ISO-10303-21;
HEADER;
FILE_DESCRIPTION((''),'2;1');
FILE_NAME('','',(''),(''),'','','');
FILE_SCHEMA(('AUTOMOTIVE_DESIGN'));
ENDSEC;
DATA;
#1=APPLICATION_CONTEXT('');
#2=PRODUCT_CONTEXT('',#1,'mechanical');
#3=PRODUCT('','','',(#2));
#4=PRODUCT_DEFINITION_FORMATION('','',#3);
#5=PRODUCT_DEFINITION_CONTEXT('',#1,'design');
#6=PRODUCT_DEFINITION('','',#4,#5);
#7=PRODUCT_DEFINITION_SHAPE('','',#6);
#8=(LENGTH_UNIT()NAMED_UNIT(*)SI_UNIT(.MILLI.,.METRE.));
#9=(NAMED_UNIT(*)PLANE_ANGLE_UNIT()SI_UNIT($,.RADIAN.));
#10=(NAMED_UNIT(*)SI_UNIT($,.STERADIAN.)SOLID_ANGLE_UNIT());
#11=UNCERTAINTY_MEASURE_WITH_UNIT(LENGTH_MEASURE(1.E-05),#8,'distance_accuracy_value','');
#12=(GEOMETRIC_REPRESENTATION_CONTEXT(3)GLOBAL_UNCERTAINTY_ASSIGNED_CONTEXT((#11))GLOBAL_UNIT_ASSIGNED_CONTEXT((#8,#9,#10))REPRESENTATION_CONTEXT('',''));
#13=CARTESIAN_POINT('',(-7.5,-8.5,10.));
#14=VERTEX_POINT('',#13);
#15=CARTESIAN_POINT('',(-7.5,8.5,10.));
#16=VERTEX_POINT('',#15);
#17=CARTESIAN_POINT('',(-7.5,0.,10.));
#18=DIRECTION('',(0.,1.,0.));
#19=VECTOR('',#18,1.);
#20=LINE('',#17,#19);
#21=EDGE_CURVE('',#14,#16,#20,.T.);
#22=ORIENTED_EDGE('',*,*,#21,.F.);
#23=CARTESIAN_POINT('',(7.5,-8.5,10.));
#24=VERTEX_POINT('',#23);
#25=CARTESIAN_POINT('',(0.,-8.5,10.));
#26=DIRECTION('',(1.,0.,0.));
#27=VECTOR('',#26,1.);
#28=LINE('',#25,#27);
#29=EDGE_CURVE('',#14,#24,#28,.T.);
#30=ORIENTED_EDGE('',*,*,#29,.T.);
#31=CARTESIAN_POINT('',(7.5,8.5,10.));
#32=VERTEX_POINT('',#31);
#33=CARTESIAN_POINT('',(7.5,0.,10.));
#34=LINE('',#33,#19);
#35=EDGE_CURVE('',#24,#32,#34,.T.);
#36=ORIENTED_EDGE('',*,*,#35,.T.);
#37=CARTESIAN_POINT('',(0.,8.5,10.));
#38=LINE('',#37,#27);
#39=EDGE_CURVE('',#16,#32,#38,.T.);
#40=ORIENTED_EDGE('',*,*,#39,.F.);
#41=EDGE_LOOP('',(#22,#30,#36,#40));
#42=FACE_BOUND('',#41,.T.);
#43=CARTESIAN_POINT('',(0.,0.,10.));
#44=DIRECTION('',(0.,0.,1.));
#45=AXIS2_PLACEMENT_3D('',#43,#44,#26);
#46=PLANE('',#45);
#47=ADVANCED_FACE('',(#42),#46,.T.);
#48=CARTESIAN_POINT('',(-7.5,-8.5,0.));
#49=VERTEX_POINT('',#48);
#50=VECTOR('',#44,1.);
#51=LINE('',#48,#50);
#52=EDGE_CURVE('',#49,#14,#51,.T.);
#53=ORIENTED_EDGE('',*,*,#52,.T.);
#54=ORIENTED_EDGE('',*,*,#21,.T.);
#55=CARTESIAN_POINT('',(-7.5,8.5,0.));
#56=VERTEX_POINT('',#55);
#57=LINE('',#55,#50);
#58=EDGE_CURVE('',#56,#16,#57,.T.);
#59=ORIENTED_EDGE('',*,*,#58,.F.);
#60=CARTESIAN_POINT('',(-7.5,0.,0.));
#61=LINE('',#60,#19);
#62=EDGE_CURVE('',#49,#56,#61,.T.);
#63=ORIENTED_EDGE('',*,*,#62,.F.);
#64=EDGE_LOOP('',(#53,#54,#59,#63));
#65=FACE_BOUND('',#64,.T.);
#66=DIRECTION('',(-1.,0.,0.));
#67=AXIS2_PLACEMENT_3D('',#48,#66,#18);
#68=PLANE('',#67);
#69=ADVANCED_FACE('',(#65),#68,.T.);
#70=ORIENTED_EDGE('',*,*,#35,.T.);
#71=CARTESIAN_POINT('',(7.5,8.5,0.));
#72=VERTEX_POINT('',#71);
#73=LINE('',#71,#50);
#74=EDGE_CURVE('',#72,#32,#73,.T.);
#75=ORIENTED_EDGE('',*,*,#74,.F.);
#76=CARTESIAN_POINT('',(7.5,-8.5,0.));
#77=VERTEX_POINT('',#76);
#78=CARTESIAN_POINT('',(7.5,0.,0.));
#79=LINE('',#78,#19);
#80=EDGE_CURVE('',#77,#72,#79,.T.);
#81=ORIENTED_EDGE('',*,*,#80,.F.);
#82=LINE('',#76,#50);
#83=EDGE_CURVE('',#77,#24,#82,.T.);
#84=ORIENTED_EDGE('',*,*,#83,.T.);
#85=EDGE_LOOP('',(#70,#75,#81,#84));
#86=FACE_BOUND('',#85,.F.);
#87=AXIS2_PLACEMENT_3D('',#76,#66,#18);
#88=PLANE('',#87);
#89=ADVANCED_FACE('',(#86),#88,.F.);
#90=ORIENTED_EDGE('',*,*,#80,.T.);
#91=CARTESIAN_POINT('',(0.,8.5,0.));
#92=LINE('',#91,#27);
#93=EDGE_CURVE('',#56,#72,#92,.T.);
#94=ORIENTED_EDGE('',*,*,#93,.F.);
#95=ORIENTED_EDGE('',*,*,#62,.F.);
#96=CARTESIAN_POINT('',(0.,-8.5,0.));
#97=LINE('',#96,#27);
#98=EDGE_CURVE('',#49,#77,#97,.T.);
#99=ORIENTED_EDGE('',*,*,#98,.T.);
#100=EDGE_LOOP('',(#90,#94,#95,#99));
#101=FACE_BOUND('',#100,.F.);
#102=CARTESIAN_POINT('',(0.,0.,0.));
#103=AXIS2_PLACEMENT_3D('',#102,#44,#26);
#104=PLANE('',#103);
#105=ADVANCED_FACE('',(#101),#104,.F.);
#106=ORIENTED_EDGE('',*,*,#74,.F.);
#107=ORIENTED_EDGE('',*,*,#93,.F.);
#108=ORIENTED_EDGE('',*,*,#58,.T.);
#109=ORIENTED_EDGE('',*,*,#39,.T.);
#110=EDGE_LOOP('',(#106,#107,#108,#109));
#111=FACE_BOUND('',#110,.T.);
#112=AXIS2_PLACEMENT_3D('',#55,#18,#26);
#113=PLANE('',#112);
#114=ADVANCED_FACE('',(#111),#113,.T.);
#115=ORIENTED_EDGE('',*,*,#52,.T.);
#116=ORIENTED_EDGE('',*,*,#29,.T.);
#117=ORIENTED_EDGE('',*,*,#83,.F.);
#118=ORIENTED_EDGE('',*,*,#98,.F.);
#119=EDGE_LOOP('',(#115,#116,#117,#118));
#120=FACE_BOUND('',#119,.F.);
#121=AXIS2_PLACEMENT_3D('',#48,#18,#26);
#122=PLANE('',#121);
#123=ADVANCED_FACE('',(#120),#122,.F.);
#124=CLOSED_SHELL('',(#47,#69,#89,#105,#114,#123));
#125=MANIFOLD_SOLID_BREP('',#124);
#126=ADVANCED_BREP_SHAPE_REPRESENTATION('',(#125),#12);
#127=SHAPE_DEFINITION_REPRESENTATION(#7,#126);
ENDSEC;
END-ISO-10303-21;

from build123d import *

# Parameters (mm, degrees)
SKETCH_W  = 15
SKETCH_H  = 17
PAD_DEPTH = 10


with BuildPart() as part:
    # Sketch → Pad (new body)
    with BuildSketch(Plane.XY):
        Rectangle(SKETCH_W, SKETCH_H)
    extrude(amount=PAD_DEPTH)


solid = part.part
